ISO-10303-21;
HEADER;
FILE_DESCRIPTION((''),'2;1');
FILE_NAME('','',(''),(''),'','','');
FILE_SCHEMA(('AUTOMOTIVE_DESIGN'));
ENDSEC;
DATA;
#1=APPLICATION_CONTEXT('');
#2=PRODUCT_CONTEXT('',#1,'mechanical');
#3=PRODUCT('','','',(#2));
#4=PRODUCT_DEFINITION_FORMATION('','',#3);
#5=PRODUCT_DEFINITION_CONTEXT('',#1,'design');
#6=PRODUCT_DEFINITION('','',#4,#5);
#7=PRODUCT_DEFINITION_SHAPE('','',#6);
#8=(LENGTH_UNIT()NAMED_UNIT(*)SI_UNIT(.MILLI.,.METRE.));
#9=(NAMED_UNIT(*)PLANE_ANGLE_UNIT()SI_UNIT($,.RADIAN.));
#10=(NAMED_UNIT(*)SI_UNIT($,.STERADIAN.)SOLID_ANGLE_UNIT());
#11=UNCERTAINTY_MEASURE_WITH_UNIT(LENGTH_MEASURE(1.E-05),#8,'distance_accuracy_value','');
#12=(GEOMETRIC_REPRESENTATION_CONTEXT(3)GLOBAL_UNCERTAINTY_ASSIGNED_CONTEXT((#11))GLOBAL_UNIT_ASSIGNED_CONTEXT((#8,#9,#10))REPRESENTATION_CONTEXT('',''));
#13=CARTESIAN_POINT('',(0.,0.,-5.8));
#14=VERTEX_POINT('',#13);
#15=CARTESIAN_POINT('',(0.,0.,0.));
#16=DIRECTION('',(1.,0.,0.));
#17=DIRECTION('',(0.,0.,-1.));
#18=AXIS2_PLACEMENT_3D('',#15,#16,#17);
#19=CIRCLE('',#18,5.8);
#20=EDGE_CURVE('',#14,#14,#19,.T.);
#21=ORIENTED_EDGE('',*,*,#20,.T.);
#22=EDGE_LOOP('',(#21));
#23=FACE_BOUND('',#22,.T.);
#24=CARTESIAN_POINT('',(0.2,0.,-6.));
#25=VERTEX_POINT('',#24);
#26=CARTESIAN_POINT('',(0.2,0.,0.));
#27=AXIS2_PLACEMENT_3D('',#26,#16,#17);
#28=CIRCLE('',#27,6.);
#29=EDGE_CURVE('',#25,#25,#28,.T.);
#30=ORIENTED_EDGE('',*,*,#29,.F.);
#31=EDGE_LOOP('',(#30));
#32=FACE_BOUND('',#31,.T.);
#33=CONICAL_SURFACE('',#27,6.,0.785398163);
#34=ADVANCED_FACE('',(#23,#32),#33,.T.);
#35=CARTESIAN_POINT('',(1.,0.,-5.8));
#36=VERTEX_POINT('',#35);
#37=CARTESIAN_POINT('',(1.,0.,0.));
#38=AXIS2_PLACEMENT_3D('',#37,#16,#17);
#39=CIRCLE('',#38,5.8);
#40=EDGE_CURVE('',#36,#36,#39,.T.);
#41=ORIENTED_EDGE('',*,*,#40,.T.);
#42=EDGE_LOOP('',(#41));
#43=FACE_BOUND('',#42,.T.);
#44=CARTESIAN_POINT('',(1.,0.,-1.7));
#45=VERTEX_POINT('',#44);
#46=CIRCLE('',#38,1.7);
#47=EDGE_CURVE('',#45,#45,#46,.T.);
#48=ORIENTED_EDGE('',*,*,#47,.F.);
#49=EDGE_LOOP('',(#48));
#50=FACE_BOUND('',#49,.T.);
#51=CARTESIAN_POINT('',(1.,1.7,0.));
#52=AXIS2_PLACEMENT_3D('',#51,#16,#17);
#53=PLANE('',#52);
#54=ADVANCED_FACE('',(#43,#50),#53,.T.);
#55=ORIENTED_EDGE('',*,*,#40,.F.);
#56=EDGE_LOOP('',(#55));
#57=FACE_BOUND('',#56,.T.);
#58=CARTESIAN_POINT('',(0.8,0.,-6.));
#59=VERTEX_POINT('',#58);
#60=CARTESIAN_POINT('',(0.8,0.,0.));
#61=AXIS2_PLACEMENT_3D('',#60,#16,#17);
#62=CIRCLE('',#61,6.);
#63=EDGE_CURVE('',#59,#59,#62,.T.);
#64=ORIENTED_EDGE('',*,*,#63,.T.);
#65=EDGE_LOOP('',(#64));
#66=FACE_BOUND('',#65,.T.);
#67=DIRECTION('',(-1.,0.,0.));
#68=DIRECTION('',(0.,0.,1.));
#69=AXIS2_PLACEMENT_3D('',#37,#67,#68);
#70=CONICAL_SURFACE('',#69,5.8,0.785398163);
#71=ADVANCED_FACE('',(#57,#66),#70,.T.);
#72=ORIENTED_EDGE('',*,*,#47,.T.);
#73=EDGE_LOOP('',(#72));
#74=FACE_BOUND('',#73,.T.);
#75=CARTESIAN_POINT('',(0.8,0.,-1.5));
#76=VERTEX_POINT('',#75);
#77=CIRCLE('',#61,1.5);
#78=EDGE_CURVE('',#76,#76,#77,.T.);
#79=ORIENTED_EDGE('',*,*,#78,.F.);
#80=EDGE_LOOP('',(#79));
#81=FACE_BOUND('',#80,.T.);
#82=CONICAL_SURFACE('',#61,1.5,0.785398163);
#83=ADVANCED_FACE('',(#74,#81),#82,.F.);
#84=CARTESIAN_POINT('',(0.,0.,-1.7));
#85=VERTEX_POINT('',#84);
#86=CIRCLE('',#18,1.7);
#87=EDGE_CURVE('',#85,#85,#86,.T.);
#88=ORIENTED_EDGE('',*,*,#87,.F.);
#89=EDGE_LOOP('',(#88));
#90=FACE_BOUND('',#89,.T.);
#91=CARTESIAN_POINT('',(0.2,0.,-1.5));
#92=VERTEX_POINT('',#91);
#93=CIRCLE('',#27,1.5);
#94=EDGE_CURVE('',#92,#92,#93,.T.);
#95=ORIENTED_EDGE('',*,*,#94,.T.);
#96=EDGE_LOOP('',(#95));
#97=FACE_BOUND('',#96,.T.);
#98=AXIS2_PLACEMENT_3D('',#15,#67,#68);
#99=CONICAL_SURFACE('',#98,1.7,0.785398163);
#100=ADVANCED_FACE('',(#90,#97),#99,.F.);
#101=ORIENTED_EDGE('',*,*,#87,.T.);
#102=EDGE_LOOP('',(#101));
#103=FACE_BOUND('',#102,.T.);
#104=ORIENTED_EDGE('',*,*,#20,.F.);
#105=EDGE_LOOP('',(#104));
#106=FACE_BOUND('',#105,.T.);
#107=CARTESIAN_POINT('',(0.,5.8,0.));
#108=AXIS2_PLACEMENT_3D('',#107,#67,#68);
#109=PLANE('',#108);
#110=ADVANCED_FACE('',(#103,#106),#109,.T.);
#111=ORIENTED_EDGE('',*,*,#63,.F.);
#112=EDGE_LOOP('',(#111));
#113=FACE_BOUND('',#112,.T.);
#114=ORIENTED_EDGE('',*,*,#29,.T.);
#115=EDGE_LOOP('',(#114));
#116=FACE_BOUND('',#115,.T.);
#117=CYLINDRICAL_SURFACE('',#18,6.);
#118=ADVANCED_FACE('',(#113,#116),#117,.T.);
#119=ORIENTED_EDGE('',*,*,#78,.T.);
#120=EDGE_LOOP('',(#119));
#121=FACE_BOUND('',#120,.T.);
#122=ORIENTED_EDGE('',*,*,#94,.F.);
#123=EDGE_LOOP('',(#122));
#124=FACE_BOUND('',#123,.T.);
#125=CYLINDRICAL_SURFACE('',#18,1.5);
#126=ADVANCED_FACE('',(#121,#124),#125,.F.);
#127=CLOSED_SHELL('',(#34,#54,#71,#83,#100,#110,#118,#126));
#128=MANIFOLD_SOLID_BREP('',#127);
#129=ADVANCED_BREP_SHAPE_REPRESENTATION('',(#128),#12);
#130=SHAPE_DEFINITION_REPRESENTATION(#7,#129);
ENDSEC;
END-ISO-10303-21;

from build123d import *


with BuildPart() as part:
    # Sketch1 → Revolve1 (revolve)
    with BuildSketch(Plane.XY):
        Polygon((0, 5.8), (0, 1.7), (0.2, 1.5), (0.8, 1.5), (1, 1.7), (1, 5.8), (0.8, 6), (0.2, 6), align=None)
    revolve(axis=Axis((0, 0, 0), (1, 0, 0)))


solid = part.part
